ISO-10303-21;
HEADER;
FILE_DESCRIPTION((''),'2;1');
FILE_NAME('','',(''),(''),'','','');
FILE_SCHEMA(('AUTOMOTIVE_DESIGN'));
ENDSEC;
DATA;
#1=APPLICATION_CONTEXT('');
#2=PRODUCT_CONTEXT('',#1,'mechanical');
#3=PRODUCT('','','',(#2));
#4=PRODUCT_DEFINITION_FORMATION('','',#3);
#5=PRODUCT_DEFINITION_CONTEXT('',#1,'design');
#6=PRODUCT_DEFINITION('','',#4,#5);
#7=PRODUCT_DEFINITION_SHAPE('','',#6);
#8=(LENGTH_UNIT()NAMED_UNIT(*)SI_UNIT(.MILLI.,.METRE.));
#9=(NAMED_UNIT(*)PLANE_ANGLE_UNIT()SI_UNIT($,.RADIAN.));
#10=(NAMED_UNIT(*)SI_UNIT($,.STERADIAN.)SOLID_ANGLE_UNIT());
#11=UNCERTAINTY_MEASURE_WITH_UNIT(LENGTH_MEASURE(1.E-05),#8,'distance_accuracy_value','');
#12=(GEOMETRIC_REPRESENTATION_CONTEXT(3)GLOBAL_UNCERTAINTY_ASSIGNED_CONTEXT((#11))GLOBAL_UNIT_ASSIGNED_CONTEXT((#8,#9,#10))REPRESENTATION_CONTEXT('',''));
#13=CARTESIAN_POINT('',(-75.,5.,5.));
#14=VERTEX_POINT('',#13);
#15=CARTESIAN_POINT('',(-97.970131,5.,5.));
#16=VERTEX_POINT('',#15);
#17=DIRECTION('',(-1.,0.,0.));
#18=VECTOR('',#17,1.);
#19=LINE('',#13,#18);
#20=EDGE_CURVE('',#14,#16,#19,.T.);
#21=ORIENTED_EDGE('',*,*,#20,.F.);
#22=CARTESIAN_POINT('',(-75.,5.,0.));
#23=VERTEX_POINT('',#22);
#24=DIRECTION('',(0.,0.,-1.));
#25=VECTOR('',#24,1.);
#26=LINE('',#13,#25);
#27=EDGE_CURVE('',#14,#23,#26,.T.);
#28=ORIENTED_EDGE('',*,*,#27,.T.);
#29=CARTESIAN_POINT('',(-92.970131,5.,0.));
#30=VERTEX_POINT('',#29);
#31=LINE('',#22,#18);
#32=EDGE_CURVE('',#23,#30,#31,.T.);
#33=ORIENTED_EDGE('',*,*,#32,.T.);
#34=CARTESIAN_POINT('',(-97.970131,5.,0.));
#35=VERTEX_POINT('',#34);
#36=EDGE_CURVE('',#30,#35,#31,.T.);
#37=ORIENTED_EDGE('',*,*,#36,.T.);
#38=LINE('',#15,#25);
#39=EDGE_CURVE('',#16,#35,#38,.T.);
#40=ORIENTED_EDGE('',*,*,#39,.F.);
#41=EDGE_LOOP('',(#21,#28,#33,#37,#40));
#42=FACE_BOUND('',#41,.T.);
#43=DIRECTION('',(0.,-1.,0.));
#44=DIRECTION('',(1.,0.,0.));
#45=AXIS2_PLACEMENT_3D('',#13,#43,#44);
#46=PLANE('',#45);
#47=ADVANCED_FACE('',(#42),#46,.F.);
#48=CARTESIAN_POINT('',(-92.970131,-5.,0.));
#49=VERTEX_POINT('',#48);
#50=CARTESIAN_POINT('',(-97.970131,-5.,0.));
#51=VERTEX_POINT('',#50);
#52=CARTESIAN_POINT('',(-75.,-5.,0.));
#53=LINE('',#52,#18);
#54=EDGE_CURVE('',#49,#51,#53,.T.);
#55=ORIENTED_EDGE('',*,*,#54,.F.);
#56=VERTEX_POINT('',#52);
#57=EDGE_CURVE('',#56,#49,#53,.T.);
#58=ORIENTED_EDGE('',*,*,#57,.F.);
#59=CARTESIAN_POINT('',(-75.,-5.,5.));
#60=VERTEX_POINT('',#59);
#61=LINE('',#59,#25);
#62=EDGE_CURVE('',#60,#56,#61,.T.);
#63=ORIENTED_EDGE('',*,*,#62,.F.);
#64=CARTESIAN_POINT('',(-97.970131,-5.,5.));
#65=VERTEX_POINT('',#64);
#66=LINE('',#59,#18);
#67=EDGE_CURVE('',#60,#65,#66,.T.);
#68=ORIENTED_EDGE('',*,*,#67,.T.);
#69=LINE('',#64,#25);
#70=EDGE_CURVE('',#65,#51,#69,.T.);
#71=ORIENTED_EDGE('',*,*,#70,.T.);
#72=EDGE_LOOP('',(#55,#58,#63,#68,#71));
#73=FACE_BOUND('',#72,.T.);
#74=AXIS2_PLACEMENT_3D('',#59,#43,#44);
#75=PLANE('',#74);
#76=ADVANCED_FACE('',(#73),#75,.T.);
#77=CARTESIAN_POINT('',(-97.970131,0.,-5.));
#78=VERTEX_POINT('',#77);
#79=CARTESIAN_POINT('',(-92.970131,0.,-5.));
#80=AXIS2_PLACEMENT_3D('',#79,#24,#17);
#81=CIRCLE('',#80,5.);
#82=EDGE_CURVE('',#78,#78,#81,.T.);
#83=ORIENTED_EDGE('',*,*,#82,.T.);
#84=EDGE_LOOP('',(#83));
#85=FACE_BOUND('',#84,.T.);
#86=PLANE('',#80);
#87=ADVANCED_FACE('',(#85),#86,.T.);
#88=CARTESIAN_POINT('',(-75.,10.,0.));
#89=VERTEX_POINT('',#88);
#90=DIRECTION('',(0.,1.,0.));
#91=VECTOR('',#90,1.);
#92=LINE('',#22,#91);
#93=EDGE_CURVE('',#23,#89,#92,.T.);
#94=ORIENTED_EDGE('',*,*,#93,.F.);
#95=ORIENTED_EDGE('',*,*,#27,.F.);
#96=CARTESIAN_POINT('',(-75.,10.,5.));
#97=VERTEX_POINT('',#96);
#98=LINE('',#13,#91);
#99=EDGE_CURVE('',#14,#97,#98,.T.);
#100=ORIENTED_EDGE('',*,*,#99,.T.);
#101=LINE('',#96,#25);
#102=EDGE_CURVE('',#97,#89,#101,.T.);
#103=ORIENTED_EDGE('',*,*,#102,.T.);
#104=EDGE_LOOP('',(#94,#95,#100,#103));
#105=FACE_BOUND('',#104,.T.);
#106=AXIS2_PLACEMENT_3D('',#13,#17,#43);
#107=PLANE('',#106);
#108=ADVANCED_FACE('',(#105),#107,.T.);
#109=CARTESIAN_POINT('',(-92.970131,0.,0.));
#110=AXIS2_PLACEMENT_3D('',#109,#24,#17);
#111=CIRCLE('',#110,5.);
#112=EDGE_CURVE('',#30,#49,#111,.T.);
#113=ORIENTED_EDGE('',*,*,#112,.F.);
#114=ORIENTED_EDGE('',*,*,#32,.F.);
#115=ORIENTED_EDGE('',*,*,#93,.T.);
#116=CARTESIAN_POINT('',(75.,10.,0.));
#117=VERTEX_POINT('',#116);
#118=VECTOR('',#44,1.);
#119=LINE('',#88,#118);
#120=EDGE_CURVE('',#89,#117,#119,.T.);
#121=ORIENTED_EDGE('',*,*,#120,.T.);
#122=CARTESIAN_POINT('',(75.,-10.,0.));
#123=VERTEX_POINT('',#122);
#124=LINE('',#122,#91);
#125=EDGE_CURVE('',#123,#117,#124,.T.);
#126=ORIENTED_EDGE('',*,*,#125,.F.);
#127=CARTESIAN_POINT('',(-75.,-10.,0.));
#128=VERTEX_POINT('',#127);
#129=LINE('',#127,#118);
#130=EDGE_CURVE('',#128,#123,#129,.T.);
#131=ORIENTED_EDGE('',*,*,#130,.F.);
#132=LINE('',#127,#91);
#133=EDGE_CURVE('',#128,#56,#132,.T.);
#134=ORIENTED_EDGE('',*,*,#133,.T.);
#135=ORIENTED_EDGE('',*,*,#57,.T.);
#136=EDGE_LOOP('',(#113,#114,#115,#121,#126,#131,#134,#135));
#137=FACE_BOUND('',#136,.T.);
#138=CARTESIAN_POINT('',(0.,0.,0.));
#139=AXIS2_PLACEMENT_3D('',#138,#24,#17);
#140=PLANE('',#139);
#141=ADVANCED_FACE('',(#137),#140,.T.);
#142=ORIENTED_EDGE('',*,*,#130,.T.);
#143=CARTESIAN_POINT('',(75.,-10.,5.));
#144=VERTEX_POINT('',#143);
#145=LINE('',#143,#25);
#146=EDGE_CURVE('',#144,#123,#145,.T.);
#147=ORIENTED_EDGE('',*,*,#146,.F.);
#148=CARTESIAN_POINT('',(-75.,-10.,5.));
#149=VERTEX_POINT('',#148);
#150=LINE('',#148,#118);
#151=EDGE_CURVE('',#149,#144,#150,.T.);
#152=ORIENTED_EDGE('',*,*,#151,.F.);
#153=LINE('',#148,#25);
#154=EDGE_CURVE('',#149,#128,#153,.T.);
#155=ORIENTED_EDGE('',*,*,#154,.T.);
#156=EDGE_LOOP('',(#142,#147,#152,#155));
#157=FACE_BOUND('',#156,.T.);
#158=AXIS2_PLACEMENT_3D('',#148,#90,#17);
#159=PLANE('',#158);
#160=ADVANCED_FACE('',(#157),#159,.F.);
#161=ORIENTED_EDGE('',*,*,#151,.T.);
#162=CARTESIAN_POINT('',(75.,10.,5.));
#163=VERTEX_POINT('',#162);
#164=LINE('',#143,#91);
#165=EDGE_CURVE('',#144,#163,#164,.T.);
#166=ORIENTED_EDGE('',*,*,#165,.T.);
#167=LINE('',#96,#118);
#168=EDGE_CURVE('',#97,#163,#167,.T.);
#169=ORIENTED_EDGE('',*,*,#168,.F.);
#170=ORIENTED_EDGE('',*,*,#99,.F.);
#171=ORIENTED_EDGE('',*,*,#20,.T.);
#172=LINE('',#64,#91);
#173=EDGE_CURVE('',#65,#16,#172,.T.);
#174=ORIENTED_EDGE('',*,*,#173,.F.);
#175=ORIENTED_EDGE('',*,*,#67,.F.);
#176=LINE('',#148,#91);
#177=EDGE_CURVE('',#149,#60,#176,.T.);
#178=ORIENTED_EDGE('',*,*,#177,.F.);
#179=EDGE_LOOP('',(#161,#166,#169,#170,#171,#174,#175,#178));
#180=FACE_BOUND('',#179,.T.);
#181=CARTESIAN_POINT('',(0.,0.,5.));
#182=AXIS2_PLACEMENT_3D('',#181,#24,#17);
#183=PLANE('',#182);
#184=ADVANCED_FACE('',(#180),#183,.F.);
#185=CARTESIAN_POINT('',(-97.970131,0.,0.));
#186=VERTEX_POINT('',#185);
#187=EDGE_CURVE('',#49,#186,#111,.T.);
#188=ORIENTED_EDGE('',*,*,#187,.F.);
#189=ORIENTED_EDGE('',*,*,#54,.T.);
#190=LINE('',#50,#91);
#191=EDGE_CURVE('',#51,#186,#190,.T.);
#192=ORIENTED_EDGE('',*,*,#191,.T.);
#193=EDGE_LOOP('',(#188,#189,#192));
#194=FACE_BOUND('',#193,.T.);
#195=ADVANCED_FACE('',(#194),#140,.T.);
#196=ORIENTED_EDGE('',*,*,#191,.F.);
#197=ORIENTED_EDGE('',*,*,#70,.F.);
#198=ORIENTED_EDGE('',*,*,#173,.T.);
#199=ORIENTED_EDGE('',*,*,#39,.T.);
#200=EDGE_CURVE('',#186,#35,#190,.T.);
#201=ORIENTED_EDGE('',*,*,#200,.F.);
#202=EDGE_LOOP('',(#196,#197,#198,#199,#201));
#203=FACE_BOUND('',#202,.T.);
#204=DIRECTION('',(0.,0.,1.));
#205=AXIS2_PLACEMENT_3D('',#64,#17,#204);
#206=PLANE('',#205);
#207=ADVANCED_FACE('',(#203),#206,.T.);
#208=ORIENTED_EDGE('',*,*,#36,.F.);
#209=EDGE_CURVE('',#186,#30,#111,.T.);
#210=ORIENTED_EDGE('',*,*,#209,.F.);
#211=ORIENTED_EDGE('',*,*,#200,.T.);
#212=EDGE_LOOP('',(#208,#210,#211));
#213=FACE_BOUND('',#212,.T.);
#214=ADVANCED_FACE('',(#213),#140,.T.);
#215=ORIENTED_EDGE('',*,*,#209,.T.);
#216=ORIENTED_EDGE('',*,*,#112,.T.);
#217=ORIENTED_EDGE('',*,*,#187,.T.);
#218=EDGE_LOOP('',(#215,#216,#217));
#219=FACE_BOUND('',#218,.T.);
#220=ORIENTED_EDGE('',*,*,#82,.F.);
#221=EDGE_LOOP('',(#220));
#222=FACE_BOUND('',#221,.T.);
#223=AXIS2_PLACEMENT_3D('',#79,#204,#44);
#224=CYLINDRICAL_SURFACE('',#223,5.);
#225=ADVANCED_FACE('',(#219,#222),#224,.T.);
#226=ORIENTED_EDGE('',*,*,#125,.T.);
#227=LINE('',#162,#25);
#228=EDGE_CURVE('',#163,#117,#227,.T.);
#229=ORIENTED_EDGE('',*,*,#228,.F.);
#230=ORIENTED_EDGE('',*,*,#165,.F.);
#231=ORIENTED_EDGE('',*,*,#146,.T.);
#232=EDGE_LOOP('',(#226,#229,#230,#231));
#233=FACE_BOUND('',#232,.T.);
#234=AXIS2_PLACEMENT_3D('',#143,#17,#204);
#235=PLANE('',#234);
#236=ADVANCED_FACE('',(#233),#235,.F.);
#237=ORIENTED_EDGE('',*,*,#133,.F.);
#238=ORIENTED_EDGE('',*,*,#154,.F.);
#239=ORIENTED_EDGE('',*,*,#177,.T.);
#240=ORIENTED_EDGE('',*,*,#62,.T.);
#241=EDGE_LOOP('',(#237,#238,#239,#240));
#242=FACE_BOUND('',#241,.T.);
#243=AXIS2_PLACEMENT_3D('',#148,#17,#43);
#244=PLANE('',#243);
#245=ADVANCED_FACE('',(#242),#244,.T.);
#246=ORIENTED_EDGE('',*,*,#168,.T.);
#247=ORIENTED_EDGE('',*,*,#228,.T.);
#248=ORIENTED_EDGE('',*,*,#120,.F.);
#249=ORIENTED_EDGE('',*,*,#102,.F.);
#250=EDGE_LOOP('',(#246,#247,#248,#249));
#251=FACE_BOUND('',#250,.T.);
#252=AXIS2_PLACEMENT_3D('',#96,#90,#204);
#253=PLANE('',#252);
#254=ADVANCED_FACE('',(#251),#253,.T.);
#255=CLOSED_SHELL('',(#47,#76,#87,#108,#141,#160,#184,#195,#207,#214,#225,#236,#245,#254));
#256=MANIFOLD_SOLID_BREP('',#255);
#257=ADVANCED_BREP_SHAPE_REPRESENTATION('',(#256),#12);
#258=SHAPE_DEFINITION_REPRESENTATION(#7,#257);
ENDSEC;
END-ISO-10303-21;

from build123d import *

# Parameters (mm, degrees)
BOSS_EXTRUDE1_DEPTH = 5
SKETCH2_R           = 5
BOSS_EXTRUDE2_DEPTH = 5


with BuildPart() as part:
    # Sketch1 → Boss-Extrude1 (new body)
    with BuildSketch(Plane.XY):
        Polygon((-75, -10), (75, -10), (75, 10), (-75, 10), (-75, 5), (-97.970130586, 5), (-97.970130586, -5), (-75, -5), align=None)
    extrude(amount=BOSS_EXTRUDE1_DEPTH)

    # Sketch2 → Boss-Extrude2 (add)
    with BuildSketch(Plane(origin=(0, 0, 0), x_dir=(-1, 0, 0), z_dir=(0, 0, -1))):
        with Locations((92.970130586, 0)):
            Circle(SKETCH2_R)
    extrude(amount=BOSS_EXTRUDE2_DEPTH)


solid = part.part
